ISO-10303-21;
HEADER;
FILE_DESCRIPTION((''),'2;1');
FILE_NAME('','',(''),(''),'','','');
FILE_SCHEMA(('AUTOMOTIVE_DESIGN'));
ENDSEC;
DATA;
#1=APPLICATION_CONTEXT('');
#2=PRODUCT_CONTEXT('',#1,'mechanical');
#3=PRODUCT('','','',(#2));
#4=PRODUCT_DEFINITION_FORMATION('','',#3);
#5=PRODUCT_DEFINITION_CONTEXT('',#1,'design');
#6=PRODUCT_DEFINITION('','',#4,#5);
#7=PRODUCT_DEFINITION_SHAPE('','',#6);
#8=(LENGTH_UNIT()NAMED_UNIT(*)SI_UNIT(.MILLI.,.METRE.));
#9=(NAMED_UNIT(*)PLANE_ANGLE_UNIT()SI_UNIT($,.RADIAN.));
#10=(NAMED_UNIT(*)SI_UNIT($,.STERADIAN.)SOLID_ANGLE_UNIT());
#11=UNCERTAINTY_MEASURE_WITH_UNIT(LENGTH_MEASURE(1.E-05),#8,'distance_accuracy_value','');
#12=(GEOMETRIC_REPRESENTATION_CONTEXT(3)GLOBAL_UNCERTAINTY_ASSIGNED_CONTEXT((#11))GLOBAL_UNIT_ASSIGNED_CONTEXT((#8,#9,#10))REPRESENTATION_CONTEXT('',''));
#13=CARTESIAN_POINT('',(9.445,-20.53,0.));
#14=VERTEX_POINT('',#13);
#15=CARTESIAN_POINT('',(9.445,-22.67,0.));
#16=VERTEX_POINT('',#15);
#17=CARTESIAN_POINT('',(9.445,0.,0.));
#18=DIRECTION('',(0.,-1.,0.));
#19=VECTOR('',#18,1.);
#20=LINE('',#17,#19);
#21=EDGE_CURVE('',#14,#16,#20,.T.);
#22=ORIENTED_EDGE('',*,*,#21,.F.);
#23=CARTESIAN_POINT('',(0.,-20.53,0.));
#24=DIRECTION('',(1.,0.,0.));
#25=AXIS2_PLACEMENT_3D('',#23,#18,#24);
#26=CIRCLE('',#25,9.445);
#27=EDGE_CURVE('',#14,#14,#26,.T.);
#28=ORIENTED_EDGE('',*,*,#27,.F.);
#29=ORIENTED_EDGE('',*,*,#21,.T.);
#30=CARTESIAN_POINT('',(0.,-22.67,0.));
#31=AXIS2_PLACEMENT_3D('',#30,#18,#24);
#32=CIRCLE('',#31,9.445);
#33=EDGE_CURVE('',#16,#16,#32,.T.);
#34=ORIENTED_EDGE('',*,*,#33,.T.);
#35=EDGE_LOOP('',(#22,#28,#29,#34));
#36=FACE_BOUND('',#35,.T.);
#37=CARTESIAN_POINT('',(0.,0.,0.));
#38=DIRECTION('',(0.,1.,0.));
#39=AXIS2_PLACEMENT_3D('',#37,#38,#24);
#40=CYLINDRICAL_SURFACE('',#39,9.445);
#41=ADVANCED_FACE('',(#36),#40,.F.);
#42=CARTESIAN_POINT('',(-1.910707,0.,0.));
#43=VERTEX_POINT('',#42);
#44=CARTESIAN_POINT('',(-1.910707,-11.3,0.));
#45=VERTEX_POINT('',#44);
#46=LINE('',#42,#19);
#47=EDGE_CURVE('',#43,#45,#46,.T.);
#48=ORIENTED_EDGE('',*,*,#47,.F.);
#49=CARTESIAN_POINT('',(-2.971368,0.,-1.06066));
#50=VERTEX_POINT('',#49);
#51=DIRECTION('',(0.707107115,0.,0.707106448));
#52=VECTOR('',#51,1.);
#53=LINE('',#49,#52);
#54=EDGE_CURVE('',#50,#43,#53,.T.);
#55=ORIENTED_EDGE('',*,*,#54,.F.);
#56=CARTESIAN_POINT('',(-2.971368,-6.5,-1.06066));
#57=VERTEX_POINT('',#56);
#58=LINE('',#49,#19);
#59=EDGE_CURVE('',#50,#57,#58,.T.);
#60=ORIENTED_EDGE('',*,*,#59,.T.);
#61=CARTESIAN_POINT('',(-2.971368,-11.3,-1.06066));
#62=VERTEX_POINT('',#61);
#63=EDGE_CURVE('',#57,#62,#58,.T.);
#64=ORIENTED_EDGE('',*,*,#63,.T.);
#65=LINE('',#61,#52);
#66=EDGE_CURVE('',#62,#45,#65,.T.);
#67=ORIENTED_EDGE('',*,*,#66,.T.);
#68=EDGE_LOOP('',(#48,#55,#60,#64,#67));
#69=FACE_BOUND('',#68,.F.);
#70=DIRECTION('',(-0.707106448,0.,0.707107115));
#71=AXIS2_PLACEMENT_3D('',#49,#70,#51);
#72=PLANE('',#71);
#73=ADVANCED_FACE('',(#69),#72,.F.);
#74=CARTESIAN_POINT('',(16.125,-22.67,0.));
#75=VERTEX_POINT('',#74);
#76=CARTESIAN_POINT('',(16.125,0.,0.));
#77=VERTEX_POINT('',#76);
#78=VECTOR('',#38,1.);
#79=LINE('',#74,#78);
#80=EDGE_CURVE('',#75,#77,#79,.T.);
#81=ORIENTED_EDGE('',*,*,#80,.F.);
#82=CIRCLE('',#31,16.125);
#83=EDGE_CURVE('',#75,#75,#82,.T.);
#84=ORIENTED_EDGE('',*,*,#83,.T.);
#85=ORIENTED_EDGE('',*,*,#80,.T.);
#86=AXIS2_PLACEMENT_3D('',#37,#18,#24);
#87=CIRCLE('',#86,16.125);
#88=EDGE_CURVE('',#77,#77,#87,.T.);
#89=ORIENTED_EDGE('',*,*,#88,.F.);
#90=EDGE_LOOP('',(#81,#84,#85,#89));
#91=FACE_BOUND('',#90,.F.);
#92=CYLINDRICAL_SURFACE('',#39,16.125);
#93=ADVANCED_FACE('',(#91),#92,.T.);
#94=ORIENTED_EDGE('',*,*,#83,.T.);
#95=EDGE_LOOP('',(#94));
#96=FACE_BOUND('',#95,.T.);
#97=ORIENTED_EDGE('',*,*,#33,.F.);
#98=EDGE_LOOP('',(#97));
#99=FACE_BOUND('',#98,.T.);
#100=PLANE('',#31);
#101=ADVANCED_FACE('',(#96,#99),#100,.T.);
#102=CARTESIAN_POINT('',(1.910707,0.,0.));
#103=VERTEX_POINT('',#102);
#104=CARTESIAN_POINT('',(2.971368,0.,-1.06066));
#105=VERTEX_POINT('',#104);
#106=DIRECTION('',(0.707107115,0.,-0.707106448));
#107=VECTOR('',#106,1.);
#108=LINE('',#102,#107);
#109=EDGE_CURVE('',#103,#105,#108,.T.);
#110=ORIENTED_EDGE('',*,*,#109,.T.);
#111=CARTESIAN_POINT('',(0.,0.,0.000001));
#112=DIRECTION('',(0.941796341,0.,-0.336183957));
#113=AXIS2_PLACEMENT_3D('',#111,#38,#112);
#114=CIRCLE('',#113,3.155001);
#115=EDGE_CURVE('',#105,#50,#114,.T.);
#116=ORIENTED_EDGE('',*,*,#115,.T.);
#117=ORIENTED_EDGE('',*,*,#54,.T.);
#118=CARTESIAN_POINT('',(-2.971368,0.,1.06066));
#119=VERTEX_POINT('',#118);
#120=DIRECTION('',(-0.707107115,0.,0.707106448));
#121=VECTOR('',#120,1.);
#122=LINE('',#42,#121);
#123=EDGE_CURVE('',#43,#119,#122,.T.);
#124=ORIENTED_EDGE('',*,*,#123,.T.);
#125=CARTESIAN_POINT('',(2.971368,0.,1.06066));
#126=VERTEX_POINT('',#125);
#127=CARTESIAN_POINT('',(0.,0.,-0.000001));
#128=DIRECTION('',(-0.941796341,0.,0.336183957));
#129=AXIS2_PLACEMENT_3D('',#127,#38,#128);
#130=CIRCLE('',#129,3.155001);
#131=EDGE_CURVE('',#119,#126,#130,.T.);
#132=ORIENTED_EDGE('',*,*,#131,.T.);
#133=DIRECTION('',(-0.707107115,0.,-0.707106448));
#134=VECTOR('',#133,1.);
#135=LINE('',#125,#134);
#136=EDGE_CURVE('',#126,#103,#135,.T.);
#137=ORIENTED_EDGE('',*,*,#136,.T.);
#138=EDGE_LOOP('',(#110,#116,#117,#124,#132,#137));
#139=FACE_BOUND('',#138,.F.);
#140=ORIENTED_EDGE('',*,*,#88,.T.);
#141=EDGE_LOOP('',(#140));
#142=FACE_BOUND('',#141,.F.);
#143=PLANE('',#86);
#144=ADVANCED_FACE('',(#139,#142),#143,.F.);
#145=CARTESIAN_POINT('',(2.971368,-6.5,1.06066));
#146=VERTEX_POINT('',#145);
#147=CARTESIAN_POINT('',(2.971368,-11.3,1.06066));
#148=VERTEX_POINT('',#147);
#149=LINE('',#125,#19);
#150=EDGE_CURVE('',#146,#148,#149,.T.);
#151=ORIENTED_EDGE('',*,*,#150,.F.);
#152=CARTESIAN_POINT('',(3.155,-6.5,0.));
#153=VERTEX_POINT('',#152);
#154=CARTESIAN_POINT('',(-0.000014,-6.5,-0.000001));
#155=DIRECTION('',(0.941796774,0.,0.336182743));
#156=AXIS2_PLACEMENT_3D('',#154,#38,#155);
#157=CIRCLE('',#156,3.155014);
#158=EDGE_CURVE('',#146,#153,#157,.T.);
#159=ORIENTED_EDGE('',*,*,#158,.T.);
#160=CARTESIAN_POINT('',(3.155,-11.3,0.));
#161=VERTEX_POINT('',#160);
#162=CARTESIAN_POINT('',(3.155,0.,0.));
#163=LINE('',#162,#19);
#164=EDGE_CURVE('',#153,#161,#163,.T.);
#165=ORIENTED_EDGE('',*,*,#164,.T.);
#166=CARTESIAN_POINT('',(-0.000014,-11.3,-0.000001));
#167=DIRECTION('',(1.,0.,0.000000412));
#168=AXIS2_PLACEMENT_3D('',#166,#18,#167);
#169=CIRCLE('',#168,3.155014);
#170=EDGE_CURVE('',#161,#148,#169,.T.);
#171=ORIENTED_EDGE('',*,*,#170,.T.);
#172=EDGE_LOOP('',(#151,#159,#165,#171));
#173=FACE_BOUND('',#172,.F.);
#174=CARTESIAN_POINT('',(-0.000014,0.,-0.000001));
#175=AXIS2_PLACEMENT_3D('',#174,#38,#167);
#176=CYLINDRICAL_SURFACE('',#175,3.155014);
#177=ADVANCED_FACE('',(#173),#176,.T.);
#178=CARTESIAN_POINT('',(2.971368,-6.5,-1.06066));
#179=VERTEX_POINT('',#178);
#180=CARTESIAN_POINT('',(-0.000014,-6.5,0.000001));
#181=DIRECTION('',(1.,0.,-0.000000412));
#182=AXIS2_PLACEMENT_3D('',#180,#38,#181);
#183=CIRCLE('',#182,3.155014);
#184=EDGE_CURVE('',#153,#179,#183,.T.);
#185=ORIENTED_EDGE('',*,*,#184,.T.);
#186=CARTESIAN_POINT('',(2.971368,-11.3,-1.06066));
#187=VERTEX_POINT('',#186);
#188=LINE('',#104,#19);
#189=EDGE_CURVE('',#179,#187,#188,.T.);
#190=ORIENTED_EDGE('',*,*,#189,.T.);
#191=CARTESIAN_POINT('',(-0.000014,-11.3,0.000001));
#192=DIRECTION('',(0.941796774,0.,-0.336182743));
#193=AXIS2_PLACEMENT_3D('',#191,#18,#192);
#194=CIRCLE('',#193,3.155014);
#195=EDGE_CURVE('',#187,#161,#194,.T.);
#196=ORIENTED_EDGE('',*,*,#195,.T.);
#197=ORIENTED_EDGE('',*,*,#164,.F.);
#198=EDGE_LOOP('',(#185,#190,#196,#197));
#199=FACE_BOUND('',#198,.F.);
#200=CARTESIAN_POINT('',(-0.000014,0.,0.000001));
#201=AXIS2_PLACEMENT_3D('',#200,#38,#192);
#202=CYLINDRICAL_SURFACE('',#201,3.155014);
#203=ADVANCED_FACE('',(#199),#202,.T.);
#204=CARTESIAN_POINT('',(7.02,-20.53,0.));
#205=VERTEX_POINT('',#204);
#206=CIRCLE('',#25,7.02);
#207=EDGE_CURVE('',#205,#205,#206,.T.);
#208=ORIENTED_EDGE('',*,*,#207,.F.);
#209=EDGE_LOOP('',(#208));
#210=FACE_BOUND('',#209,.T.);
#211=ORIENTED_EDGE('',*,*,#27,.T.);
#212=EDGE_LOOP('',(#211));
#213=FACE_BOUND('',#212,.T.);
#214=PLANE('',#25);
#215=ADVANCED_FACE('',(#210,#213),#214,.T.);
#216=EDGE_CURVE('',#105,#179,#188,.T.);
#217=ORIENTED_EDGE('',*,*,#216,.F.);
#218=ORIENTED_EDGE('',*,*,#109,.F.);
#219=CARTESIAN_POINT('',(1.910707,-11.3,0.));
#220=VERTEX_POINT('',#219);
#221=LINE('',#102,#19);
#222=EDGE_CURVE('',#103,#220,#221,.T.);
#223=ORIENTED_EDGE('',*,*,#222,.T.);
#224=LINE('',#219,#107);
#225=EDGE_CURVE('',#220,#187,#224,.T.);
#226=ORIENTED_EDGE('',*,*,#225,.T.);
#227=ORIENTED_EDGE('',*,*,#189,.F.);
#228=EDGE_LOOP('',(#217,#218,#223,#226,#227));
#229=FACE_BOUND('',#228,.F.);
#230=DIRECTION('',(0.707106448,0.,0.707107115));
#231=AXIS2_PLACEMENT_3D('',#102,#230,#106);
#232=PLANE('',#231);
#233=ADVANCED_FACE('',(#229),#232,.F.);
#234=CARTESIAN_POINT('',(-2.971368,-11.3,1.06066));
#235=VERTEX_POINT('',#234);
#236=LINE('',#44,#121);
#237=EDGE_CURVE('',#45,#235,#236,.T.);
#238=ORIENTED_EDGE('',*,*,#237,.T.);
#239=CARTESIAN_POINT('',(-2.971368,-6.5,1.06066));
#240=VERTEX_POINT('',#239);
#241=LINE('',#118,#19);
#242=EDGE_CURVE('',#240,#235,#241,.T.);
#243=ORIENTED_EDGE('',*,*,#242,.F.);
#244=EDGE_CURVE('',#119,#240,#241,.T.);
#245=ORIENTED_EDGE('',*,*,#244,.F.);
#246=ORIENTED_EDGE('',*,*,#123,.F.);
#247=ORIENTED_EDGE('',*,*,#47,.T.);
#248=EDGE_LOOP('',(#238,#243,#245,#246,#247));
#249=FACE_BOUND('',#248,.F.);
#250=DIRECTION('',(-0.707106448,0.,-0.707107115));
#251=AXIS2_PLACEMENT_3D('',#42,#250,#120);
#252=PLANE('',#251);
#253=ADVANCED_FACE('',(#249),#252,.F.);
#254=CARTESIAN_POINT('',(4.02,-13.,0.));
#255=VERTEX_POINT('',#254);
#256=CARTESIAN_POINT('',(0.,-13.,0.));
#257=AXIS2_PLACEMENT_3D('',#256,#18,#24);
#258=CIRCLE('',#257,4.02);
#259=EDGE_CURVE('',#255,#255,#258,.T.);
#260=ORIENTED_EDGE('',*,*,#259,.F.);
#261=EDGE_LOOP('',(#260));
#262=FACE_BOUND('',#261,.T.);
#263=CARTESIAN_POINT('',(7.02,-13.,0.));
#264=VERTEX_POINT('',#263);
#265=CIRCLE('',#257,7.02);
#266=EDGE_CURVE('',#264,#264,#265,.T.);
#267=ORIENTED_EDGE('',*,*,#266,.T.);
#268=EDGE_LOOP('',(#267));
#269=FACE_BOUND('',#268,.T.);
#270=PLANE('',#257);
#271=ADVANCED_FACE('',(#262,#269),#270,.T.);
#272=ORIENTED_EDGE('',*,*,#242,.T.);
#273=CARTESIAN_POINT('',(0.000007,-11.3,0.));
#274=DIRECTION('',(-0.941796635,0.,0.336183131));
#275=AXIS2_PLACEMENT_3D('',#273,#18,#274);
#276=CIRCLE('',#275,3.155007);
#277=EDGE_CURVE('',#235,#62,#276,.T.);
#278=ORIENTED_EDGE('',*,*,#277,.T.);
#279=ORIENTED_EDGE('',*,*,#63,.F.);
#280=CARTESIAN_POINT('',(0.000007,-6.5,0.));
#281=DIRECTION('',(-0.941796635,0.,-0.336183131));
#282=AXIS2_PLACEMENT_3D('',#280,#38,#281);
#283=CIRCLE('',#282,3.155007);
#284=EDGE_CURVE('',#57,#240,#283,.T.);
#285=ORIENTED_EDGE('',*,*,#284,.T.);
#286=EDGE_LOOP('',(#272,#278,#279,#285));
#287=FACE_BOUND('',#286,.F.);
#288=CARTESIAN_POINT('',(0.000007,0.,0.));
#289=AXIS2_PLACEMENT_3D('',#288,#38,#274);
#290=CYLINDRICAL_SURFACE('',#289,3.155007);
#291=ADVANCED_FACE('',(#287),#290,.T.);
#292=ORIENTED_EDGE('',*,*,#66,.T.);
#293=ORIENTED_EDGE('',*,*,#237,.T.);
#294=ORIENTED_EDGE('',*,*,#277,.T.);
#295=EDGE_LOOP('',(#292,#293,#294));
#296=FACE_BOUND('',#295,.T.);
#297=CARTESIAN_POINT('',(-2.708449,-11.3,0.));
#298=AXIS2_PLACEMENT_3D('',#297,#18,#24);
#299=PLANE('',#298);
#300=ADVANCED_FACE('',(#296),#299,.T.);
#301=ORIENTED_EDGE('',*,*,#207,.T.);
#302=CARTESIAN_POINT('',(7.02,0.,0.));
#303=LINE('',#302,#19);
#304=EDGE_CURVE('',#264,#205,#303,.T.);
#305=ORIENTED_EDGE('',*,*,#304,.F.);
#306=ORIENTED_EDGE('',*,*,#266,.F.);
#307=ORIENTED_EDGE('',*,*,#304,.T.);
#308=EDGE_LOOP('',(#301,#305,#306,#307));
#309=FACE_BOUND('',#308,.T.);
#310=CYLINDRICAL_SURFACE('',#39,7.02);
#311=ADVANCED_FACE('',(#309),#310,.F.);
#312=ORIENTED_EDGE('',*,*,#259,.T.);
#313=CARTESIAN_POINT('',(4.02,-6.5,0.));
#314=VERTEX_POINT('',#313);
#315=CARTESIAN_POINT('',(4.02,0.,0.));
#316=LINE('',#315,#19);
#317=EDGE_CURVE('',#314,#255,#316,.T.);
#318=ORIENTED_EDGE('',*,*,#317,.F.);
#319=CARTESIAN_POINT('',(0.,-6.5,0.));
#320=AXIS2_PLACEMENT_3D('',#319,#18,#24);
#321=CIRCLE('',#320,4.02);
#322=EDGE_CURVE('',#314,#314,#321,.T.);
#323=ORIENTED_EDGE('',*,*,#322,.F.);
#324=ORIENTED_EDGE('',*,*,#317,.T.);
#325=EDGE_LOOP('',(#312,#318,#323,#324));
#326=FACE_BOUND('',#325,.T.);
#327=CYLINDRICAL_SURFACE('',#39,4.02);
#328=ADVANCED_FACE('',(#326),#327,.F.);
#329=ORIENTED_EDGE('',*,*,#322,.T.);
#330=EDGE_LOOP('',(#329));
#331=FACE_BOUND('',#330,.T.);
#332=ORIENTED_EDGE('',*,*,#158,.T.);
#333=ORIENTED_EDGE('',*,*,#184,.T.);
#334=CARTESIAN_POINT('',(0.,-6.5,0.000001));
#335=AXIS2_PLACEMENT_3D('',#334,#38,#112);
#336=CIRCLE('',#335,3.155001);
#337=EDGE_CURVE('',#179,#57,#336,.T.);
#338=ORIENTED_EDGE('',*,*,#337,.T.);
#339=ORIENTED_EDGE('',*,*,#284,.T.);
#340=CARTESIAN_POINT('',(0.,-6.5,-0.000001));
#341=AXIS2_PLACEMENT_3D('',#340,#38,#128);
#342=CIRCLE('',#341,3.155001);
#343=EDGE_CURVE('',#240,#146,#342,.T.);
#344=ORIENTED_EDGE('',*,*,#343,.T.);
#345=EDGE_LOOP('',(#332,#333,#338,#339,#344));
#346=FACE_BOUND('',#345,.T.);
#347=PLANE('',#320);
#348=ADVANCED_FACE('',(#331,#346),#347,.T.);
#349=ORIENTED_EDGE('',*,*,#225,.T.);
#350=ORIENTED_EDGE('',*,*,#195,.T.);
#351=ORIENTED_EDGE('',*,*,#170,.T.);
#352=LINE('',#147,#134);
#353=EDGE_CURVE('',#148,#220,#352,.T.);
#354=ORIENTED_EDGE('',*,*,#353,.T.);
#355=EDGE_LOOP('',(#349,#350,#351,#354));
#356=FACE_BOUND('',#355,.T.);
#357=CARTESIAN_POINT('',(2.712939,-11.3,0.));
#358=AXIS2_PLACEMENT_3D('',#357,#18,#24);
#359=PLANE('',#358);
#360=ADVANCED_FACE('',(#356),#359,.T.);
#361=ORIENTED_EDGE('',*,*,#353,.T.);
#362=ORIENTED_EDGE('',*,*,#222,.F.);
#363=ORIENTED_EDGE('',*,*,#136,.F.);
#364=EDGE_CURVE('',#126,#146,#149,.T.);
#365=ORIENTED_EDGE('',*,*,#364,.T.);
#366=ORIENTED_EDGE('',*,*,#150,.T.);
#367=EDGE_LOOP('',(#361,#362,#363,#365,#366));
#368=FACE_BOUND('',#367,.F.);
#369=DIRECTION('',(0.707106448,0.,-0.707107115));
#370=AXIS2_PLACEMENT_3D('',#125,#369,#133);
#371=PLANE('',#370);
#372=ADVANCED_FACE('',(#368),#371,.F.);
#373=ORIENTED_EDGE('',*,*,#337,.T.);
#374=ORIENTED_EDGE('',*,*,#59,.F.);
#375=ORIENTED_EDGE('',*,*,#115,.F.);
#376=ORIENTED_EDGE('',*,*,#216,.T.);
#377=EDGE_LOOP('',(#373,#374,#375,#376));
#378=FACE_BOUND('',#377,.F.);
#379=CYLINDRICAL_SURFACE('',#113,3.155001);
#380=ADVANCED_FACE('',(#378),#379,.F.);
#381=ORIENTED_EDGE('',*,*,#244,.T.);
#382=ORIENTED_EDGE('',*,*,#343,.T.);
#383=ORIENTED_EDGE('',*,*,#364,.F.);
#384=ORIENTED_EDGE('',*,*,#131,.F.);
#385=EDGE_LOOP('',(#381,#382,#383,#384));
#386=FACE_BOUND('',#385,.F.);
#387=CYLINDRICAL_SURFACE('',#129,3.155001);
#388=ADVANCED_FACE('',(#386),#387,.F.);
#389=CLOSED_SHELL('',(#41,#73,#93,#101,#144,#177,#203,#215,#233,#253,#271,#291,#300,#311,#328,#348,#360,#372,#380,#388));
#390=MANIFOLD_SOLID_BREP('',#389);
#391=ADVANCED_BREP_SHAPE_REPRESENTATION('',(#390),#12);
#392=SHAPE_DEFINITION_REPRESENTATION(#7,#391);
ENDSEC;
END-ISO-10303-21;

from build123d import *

# Parameters (mm, degrees)
F0_R     = 16.125
F0_R_2   = 9.445
F1_DEPTH = 22.67
F0_R_3   = 7.02
F3_DEPTH = 20.53
F0_R_4   = 4.02
F5_DEPTH = 13
F6_DEPTH = 6.5
F7_DEPTH = 11.3


with BuildPart() as f1:
    # F0 (on Front) → F1 (new body)
    with BuildSketch(Plane.XZ):
        Circle(F0_R)
        Circle(F0_R_2, mode=Mode.SUBTRACT)
    extrude(amount=F1_DEPTH)

    # F0 (on Front) → F3 (join)
    with BuildSketch(Plane.XZ):
        Circle(F0_R_2)
        Circle(F0_R_3, mode=Mode.SUBTRACT)
    extrude(amount=F3_DEPTH)

    # F0 (on Front) → F5 (join)
    with BuildSketch(Plane.XZ):
        Circle(F0_R_3)
        Circle(F0_R_4, mode=Mode.SUBTRACT)
    extrude(amount=F5_DEPTH)

    # F0 (on Front) → F6 (join)
    with BuildSketch(Plane.XZ):
        Circle(F0_R_4)
        with BuildLine():
            ThreePointArc((2.971368, 1.06066), (3.108753, 0.538219), (3.155, 0))
            ThreePointArc((3.155, 0), (3.108753, -0.538219), (2.971368, -1.06066))
            ThreePointArc((2.971368, -1.06066), (0, -3.155), (-2.971368, -1.06066))
            ThreePointArc((-2.971368, -1.06066), (-3.155, 0), (-2.971368, 1.06066))
            ThreePointArc((-2.971368, 1.06066), (0, 3.155), (2.971368, 1.06066))
        make_face(mode=Mode.SUBTRACT)
    extrude(amount=F6_DEPTH)

    # F0 (on Front) → F7 (join)
    with BuildSketch(Plane.XZ):
        Circle(F0_R)
        Circle(F0_R_2, mode=Mode.SUBTRACT)
        with BuildLine():
            Line((-1.910707, 0), (-2.971368, 1.06066))
            ThreePointArc((-2.971368, 1.06066), (-3.155, 0), (-2.971368, -1.06066))
            Line((-2.971368, -1.06066), (-1.910707, 0))
        make_face()
        with BuildLine():
            ThreePointArc((2.971368, -1.06066), (3.108753, -0.538219), (3.155, 0))
            ThreePointArc((3.155, 0), (3.108753, 0.538219), (2.971368, 1.06066))
            Line((2.971368, 1.06066), (1.910707, 0))
            Line((1.910707, 0), (2.971368, -1.06066))
        make_face()
    extrude(amount=F7_DEPTH)


solid = f1.part
